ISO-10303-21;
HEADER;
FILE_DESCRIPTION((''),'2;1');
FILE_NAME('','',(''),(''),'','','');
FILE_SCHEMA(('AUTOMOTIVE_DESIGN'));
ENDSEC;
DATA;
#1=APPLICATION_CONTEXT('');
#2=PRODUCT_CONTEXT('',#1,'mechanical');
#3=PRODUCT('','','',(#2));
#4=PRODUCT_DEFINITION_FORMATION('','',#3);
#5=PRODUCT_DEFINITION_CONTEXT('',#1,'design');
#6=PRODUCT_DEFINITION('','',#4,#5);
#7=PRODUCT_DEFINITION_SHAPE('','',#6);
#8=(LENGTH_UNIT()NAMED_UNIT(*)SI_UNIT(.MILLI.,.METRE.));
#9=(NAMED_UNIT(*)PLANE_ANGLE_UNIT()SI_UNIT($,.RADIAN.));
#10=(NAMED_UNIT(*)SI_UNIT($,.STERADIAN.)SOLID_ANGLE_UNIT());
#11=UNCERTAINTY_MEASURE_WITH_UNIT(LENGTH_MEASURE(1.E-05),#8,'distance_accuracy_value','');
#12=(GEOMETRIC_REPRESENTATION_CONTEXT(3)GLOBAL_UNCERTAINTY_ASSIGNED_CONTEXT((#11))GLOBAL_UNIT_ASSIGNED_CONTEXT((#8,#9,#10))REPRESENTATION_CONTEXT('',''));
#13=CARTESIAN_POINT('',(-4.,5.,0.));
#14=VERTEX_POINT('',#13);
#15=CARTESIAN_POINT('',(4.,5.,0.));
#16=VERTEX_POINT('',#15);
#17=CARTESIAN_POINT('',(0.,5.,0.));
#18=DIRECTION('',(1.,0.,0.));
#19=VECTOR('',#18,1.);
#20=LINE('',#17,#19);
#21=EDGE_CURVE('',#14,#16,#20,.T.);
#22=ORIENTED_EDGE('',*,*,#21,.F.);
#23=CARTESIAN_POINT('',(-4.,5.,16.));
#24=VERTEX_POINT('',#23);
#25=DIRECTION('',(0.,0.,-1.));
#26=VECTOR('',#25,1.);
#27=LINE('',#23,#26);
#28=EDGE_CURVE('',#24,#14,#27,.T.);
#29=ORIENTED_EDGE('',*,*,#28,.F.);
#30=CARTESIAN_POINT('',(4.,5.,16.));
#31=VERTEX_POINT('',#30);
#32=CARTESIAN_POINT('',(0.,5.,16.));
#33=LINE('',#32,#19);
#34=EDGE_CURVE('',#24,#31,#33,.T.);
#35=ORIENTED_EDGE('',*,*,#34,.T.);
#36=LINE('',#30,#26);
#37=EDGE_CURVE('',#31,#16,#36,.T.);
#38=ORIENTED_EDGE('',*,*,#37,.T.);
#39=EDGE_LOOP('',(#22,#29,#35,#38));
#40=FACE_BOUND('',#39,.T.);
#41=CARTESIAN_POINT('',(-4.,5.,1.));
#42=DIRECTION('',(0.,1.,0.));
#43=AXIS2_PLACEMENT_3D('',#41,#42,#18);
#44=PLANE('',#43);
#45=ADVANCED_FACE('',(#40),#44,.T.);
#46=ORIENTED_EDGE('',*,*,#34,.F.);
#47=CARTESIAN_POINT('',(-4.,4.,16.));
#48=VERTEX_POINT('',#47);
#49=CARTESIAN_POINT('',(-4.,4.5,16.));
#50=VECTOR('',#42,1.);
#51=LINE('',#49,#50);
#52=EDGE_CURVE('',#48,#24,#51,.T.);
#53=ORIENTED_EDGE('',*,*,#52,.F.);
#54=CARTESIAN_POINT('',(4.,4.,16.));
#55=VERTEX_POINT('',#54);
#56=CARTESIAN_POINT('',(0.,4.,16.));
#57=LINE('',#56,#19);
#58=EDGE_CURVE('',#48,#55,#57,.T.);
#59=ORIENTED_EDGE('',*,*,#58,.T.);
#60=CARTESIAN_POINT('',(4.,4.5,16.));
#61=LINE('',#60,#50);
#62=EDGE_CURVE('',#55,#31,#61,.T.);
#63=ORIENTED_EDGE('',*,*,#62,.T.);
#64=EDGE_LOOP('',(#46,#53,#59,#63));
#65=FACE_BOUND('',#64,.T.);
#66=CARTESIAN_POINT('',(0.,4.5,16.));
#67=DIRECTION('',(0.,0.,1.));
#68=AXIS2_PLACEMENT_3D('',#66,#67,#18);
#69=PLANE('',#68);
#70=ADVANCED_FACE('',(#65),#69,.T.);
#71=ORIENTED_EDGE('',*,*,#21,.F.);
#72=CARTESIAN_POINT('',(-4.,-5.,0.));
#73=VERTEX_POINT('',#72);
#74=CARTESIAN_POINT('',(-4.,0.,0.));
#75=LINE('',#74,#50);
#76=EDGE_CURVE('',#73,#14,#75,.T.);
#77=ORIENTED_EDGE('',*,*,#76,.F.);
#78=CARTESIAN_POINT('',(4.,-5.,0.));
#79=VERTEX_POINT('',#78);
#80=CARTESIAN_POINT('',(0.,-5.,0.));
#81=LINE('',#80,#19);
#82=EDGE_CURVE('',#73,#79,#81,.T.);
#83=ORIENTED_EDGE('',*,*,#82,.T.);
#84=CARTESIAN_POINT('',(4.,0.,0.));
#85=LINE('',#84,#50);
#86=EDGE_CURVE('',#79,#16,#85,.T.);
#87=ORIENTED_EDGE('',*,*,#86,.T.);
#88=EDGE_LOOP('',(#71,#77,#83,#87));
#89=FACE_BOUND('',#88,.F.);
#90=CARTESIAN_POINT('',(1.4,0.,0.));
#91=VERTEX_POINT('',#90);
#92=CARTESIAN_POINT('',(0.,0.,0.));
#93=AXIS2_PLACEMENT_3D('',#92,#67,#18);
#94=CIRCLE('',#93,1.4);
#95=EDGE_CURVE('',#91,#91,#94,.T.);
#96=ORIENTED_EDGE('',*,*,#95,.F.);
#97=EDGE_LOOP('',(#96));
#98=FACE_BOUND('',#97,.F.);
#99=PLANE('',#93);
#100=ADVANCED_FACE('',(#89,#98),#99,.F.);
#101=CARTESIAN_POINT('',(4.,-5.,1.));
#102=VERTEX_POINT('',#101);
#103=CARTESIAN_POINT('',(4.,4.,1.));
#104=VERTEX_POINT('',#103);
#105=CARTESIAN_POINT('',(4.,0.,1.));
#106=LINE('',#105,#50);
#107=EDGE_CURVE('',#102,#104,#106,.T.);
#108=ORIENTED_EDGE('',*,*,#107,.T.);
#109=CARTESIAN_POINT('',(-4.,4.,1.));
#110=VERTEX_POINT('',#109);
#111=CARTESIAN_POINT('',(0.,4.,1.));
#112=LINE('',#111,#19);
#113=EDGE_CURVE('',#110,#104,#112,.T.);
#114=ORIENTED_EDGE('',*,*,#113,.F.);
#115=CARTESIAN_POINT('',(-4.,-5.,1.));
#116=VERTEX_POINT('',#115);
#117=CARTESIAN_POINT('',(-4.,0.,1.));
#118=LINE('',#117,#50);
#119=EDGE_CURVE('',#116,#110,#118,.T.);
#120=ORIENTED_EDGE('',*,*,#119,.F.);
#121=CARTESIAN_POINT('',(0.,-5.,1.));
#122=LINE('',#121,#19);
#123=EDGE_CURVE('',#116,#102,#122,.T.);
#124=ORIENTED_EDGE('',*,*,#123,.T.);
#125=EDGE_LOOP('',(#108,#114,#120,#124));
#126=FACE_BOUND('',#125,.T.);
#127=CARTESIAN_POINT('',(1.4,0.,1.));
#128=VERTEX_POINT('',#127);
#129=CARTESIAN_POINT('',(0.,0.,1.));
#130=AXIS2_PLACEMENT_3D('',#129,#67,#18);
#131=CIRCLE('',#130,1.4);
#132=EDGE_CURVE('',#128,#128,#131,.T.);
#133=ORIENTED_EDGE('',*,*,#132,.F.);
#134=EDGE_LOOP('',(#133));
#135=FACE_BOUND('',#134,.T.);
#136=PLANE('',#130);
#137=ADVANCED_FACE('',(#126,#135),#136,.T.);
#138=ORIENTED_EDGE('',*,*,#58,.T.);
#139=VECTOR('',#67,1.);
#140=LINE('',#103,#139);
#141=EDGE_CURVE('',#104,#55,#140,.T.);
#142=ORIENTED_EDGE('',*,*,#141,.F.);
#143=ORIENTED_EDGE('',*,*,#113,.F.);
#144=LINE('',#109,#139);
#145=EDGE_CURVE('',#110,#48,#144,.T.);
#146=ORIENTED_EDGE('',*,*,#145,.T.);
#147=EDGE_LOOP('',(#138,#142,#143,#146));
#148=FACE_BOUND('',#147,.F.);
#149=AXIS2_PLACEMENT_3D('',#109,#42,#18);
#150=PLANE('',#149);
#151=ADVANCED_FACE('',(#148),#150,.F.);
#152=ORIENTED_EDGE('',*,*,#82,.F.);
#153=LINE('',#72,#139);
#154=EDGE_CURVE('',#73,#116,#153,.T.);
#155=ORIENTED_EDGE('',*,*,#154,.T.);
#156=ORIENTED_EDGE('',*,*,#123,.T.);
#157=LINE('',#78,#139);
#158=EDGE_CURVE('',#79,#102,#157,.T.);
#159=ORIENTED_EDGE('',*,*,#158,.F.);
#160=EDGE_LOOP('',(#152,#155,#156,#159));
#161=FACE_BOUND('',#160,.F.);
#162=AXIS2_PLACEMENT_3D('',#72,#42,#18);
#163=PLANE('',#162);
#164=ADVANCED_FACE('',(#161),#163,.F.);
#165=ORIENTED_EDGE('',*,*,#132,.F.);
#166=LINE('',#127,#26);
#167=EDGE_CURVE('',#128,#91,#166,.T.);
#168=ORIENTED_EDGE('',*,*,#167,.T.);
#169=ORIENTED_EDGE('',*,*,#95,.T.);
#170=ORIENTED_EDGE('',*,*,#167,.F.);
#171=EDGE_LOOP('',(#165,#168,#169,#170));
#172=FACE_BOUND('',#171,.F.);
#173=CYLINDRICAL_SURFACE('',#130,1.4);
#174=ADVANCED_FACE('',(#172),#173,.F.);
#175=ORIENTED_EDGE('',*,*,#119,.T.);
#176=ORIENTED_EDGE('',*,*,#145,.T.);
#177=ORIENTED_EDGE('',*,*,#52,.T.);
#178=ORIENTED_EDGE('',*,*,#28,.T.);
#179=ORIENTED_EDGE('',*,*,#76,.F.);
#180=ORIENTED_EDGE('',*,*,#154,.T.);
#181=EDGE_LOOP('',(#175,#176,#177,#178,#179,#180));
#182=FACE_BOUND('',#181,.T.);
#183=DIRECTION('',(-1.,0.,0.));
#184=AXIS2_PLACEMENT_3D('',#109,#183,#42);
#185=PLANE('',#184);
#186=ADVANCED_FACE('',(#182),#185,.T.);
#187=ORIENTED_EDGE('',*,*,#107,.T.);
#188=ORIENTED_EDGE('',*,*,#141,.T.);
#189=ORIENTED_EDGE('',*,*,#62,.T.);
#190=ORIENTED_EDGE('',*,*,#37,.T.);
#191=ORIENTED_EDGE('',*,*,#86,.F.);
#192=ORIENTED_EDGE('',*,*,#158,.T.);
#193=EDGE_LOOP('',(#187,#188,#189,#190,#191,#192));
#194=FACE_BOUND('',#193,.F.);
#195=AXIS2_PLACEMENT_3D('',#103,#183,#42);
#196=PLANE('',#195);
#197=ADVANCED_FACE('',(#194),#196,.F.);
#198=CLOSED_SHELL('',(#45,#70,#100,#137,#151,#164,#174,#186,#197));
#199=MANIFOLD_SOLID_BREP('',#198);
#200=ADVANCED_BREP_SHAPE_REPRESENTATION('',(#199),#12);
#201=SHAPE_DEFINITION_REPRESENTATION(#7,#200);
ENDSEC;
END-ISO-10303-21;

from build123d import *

# Parameters (mm, degrees)
SKETCH_W     = 8
SKETCH_H     = 10
PAD_DEPTH    = 1
SKETCH001_W  = 8
SKETCH001_H  = 1
PAD001_DEPTH = 15
SKETCH002_R  = 1.4
POCKET_DEPTH = 1


with BuildPart() as part:
    # Sketch → Pad (new body)
    with BuildSketch(Plane.XY):
        Rectangle(SKETCH_W, SKETCH_H)
    extrude(amount=PAD_DEPTH)

    # Sketch001 (on Face6 of Pad) → Pad001 (join)
    with BuildSketch(Plane.XY.offset(1)):
        with Locations((0, 4.5)):
            Rectangle(SKETCH001_W, SKETCH001_H)
    extrude(amount=PAD001_DEPTH)

    # Sketch002 (on Face5 of Pad001) → Pocket (cut)
    with BuildSketch(Plane.XY.offset(1)):
        Circle(SKETCH002_R)
    extrude(amount=-POCKET_DEPTH, mode=Mode.SUBTRACT)


solid = part.part
